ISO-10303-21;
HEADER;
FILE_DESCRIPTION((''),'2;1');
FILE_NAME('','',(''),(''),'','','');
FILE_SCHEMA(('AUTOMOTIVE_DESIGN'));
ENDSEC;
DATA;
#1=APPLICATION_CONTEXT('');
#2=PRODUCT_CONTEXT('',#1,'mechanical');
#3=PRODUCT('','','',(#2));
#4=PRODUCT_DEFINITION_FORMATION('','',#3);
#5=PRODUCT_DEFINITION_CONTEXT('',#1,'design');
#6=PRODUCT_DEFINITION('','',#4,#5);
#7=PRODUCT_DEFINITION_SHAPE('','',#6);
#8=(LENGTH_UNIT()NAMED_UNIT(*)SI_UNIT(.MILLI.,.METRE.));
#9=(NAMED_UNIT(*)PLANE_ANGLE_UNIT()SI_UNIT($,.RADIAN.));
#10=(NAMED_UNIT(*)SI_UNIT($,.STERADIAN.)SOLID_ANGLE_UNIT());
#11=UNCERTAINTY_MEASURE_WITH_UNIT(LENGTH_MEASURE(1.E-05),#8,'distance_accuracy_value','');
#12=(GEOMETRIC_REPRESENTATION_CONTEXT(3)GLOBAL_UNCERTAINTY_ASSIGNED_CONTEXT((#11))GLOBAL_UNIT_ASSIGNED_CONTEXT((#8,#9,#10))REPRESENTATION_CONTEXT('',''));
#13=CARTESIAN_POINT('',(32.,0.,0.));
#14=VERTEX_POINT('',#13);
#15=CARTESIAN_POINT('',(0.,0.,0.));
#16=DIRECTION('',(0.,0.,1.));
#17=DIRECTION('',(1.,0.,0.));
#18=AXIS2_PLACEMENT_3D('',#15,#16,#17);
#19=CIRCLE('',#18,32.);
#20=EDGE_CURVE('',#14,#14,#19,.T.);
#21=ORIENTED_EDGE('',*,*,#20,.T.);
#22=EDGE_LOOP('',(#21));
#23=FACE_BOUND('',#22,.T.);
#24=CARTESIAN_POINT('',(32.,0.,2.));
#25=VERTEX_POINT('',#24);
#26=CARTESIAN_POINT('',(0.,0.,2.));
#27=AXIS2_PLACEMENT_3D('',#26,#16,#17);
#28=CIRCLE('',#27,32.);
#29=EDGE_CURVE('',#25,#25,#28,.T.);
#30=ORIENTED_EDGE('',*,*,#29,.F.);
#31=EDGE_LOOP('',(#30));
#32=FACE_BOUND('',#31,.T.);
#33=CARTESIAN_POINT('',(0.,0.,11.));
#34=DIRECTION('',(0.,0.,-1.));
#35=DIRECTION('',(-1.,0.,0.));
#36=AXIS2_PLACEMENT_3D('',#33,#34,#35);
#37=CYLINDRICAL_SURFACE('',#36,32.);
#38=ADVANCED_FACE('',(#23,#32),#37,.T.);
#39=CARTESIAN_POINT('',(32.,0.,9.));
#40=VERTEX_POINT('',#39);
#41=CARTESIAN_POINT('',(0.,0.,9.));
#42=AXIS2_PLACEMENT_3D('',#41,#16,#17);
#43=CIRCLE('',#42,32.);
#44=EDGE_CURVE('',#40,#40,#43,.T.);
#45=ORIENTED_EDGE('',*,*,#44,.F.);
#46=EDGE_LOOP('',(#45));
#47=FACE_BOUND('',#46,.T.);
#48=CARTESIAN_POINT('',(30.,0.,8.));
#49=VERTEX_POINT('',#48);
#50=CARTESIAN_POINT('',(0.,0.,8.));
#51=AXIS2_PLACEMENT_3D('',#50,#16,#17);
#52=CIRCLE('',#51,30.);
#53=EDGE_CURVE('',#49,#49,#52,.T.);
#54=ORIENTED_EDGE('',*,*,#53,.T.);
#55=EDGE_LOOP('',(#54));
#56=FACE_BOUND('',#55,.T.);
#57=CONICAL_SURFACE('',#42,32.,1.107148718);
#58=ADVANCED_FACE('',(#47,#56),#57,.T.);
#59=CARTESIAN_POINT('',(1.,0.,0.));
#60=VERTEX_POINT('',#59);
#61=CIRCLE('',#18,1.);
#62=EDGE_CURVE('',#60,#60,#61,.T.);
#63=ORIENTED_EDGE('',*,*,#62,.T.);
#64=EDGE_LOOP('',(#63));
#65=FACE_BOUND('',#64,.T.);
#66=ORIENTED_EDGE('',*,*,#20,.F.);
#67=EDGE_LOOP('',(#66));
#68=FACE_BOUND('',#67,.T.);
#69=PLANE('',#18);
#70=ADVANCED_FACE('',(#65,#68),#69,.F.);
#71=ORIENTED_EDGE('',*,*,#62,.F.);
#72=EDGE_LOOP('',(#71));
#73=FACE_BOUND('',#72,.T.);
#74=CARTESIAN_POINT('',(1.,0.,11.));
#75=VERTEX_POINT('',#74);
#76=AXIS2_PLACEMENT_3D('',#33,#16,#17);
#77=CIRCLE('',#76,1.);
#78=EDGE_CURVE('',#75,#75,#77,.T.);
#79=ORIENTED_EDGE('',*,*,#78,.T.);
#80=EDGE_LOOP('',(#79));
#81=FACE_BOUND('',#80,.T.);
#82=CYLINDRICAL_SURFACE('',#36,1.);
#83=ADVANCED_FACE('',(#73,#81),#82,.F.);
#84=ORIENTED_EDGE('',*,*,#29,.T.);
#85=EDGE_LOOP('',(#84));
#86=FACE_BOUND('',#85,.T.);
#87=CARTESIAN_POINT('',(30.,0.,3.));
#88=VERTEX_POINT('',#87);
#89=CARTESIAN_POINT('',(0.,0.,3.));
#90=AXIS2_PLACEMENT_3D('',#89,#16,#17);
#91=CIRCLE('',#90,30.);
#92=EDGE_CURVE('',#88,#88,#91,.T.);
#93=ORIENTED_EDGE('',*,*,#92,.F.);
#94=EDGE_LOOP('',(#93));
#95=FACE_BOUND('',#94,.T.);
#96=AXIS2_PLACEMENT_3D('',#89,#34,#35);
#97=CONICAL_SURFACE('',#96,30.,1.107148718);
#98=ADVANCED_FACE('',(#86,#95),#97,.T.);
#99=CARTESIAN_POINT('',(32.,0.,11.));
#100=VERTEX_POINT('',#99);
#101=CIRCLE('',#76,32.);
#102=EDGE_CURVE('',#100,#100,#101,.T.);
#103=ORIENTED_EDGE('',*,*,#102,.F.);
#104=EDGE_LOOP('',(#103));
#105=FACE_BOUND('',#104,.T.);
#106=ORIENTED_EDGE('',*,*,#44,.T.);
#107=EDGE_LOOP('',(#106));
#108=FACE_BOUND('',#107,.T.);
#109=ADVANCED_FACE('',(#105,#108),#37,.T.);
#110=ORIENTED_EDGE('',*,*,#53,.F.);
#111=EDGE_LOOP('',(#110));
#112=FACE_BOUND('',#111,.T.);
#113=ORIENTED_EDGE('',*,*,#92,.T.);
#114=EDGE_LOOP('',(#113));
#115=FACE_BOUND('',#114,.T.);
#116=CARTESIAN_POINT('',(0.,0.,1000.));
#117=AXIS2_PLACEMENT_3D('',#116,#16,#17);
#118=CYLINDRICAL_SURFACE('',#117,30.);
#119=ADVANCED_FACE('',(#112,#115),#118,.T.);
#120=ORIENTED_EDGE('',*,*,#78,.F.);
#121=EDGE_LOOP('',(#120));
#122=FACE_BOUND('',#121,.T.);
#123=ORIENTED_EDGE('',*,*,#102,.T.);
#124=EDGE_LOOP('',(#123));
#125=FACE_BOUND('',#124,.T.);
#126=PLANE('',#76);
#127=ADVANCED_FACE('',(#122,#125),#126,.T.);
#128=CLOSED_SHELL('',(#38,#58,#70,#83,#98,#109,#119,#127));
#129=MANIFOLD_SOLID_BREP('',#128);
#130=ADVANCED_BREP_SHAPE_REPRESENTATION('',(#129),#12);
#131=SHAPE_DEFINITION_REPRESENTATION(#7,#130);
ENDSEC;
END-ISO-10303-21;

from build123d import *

# Parameters (mm, degrees)
SKETCH1_R           = 32
SKETCH1_R_2         = 1
BOSS_EXTRUDE1_DEPTH = 11


with BuildPart() as part:
    # Sketch1 → Boss-Extrude1 (new body)
    with BuildSketch(Plane.XY):
        Circle(SKETCH1_R)
        Circle(SKETCH1_R_2, mode=Mode.SUBTRACT)
    extrude(amount=BOSS_EXTRUDE1_DEPTH)

    # Sketch4 → Cut-Revolve1 (revolve, cut)
    with BuildSketch(Plane(origin=(0, 0, 0), x_dir=(0, 0, -1), z_dir=(1, 0, 0)), mode=Mode.PRIVATE) as cut_revolve1_sk:
        Polygon((-2, 32), (-3, 30), (-8, 30), (-9, 32), align=None)
    revolve(cut_revolve1_sk.sketch.rotate(Axis((0, 0, 1000), (0, 0, -1)), 90), axis=Axis((0, 0, 1000), (0, 0, -1)), mode=Mode.SUBTRACT)


solid = part.part
